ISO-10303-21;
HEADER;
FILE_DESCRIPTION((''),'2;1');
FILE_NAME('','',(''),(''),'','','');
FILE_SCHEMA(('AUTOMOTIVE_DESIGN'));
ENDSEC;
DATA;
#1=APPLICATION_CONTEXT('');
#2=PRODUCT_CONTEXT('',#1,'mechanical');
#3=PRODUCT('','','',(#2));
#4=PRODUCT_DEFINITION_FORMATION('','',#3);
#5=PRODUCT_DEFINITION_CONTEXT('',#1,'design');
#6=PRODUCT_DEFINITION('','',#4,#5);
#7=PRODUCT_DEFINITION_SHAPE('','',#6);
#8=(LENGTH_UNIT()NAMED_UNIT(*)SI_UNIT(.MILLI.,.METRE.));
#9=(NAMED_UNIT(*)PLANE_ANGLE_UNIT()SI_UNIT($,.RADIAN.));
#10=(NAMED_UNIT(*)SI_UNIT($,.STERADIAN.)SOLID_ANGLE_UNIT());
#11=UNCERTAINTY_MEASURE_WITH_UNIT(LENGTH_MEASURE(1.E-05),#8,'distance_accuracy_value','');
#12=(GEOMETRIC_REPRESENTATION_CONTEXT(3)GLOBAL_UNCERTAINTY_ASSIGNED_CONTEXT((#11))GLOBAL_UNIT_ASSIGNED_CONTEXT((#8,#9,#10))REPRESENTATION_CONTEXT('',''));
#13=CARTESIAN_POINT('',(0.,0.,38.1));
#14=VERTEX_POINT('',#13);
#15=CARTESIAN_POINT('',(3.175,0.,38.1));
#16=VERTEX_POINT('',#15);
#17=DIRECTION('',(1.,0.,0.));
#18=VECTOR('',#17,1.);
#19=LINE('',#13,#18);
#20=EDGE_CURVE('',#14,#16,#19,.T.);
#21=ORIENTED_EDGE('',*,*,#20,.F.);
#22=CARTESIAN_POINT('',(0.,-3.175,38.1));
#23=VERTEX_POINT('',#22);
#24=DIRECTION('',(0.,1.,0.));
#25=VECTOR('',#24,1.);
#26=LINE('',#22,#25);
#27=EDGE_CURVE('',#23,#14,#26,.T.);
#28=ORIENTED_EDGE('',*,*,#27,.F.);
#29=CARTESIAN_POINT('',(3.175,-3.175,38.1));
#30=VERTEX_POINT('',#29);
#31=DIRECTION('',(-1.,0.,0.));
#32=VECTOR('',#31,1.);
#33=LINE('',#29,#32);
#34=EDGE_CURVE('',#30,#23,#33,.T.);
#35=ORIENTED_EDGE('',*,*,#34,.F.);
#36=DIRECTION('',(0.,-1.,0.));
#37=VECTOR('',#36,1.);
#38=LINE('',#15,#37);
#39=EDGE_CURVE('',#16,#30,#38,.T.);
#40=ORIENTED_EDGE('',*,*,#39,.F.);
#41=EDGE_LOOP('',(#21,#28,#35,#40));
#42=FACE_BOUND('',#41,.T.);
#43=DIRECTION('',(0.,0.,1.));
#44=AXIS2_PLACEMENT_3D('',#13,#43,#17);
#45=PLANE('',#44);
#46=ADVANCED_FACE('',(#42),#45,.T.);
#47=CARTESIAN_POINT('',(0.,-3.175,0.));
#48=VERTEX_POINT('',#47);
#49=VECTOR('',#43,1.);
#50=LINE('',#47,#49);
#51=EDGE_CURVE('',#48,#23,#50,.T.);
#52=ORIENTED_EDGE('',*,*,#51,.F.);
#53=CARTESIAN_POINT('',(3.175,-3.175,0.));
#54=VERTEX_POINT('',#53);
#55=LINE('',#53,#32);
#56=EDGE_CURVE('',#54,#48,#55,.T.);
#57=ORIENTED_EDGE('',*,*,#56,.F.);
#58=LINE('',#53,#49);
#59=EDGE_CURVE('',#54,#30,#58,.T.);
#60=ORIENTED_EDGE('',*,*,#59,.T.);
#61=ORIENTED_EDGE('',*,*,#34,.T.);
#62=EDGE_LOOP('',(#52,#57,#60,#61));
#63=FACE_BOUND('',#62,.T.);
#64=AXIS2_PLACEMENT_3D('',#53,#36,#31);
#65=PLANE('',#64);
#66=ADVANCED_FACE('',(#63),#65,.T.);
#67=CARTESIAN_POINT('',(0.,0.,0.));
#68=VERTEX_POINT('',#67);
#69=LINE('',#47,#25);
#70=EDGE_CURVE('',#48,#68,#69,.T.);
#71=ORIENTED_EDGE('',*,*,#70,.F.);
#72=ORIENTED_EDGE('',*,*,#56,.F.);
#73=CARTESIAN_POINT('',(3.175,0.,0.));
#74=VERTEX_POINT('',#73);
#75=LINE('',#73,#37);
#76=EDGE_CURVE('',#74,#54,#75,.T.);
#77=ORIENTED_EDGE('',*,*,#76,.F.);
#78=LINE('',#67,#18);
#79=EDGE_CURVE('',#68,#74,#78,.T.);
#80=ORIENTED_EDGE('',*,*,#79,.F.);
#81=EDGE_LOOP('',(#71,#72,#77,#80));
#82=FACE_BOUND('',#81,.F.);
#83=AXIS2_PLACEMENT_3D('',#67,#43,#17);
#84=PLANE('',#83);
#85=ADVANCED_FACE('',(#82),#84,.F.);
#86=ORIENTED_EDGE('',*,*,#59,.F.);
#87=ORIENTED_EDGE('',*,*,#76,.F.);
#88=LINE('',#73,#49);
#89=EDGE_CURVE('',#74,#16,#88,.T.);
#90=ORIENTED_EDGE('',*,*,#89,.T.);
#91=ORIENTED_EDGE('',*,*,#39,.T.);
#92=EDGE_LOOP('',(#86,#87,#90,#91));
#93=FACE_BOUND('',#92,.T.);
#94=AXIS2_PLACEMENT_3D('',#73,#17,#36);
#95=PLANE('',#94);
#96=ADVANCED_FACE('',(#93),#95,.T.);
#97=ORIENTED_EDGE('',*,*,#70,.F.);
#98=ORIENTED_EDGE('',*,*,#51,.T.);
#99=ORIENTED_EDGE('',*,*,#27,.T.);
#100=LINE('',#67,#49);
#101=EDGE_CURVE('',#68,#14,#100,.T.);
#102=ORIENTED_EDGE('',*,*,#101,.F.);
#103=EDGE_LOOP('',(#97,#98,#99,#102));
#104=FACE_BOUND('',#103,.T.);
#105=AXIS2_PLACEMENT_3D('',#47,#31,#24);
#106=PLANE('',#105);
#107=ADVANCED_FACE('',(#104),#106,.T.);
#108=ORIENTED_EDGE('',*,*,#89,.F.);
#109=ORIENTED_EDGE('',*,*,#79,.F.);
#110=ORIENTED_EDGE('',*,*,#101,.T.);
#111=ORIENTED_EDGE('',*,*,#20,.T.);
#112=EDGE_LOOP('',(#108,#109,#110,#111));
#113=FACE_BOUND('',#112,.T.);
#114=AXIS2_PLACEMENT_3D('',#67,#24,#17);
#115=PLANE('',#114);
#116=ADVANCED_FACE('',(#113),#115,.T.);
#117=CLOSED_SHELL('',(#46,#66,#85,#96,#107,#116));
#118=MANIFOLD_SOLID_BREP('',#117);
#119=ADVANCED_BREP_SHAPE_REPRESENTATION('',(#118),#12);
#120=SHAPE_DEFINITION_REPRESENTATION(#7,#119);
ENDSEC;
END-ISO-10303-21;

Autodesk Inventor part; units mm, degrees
ref_plane "YZ Plane" through (0, 0, 0) normal (1, 0, 0) x (0, 1, 0)
ref_plane "XZ Plane" through (0, 0, 0) normal (0, 1, 0) x (-1, 0, 0)
ref_plane "XY Plane" through (0, 0, 0) normal (0, 0, 1) x (1, 0, 0)
sketch "Sketch1" plane through (0, 0, 0) normal (0, 0, 1) x (1, 0, 0)
  line L0 (0, 0) -> (3.175, 0)
  line L1 (3.175, 0) -> (3.175, -3.175)
  line L2 (3.175, -3.175) -> (0, -3.175)
  line L3 (0, -3.175) -> (0, 0)
  dimension "d0" = 3.175
  dimension "d1" = 3.175
extrude "Extrusion1" add sketch "Sketch1" along normal blind 38.1
properties part number "pin holder middle"
